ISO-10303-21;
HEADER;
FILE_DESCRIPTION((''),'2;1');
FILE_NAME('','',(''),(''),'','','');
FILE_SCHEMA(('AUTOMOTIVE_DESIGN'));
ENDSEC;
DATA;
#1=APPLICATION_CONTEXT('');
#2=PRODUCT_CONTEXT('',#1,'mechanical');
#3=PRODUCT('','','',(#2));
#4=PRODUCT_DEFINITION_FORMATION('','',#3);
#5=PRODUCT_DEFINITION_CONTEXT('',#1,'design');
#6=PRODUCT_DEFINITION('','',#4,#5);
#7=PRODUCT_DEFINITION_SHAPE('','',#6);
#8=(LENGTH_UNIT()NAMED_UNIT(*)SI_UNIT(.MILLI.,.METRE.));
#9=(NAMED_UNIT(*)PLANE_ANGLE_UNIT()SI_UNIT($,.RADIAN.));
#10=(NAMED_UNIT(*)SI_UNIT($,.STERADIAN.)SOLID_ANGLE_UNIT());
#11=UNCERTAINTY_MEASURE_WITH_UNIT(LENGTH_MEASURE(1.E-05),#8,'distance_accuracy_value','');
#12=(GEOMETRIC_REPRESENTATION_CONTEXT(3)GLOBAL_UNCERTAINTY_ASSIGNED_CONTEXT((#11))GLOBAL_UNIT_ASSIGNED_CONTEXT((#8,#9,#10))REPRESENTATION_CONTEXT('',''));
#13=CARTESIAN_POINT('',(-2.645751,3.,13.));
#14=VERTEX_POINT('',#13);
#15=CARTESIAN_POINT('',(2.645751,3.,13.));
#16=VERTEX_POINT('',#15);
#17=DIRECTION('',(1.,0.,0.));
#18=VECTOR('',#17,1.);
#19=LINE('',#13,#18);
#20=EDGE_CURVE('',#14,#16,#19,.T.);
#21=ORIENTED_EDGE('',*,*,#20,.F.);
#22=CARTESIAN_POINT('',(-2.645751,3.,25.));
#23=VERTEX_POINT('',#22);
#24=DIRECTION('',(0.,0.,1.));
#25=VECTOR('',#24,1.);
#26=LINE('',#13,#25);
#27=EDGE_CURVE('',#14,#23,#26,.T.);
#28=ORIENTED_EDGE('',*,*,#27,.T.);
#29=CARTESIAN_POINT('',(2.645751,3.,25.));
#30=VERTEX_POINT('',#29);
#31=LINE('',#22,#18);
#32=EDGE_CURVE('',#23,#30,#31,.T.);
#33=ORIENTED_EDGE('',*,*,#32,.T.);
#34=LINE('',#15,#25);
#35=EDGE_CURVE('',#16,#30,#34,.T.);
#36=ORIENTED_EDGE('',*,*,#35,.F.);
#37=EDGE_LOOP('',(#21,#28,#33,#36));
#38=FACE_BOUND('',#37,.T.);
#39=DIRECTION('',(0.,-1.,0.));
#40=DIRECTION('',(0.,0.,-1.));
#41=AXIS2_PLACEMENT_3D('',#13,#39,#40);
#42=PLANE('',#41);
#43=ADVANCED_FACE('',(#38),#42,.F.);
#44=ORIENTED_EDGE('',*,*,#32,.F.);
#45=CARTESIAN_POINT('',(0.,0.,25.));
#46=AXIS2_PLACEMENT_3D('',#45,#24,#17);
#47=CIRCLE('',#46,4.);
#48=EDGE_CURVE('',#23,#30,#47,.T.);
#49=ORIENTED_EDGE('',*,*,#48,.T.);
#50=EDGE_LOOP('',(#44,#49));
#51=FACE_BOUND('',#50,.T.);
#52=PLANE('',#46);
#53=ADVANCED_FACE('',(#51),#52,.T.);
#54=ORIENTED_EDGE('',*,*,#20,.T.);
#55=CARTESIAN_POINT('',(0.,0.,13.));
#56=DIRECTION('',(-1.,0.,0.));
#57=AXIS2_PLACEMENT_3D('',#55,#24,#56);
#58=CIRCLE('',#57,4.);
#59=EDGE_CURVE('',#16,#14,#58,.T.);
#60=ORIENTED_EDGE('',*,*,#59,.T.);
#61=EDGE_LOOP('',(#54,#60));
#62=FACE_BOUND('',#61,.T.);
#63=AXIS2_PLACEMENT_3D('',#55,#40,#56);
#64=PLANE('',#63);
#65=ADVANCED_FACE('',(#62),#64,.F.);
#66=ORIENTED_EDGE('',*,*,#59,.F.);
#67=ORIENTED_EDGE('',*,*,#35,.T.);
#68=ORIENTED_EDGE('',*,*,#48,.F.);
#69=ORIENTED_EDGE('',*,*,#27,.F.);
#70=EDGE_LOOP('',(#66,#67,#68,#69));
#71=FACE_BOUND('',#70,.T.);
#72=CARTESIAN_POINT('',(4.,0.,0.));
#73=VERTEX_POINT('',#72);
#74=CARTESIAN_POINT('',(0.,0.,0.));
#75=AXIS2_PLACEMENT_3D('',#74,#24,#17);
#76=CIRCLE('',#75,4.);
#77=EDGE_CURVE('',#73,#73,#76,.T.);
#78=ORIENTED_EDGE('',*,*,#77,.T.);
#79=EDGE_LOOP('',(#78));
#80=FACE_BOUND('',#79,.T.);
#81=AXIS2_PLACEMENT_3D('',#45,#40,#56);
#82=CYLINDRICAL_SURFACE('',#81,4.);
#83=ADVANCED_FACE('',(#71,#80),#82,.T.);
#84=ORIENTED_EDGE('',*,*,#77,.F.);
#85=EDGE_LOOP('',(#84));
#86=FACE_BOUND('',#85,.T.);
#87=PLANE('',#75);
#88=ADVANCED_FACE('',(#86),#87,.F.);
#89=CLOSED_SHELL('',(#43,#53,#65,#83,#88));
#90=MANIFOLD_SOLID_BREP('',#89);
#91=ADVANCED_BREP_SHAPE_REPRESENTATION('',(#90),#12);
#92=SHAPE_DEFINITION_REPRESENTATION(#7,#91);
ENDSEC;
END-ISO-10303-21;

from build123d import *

# Parameters (mm, degrees)
SKETCH1_R           = 4
BOSS_EXTRUDE1_DEPTH = 25
CUT_EXTRUDE1_START  = -12
CUT_EXTRUDE1_DEPTH  = 12


with BuildPart() as part:
    # Sketch1 → Boss-Extrude1 (new body)
    with BuildSketch(Plane.XY):
        Circle(SKETCH1_R)
    extrude(amount=BOSS_EXTRUDE1_DEPTH)

    # Sketch2 → Cut-Extrude1 (cut)
    with BuildSketch(Plane.XY.offset(25).offset(CUT_EXTRUDE1_START)):
        with BuildLine():
            Line((-2.645751311, 3), (2.645751311, 3))
            ThreePointArc((2.645751311, 3), (0, 4), (-2.645751311, 3))
        make_face()
    extrude(amount=CUT_EXTRUDE1_DEPTH, mode=Mode.SUBTRACT)


solid = part.part
